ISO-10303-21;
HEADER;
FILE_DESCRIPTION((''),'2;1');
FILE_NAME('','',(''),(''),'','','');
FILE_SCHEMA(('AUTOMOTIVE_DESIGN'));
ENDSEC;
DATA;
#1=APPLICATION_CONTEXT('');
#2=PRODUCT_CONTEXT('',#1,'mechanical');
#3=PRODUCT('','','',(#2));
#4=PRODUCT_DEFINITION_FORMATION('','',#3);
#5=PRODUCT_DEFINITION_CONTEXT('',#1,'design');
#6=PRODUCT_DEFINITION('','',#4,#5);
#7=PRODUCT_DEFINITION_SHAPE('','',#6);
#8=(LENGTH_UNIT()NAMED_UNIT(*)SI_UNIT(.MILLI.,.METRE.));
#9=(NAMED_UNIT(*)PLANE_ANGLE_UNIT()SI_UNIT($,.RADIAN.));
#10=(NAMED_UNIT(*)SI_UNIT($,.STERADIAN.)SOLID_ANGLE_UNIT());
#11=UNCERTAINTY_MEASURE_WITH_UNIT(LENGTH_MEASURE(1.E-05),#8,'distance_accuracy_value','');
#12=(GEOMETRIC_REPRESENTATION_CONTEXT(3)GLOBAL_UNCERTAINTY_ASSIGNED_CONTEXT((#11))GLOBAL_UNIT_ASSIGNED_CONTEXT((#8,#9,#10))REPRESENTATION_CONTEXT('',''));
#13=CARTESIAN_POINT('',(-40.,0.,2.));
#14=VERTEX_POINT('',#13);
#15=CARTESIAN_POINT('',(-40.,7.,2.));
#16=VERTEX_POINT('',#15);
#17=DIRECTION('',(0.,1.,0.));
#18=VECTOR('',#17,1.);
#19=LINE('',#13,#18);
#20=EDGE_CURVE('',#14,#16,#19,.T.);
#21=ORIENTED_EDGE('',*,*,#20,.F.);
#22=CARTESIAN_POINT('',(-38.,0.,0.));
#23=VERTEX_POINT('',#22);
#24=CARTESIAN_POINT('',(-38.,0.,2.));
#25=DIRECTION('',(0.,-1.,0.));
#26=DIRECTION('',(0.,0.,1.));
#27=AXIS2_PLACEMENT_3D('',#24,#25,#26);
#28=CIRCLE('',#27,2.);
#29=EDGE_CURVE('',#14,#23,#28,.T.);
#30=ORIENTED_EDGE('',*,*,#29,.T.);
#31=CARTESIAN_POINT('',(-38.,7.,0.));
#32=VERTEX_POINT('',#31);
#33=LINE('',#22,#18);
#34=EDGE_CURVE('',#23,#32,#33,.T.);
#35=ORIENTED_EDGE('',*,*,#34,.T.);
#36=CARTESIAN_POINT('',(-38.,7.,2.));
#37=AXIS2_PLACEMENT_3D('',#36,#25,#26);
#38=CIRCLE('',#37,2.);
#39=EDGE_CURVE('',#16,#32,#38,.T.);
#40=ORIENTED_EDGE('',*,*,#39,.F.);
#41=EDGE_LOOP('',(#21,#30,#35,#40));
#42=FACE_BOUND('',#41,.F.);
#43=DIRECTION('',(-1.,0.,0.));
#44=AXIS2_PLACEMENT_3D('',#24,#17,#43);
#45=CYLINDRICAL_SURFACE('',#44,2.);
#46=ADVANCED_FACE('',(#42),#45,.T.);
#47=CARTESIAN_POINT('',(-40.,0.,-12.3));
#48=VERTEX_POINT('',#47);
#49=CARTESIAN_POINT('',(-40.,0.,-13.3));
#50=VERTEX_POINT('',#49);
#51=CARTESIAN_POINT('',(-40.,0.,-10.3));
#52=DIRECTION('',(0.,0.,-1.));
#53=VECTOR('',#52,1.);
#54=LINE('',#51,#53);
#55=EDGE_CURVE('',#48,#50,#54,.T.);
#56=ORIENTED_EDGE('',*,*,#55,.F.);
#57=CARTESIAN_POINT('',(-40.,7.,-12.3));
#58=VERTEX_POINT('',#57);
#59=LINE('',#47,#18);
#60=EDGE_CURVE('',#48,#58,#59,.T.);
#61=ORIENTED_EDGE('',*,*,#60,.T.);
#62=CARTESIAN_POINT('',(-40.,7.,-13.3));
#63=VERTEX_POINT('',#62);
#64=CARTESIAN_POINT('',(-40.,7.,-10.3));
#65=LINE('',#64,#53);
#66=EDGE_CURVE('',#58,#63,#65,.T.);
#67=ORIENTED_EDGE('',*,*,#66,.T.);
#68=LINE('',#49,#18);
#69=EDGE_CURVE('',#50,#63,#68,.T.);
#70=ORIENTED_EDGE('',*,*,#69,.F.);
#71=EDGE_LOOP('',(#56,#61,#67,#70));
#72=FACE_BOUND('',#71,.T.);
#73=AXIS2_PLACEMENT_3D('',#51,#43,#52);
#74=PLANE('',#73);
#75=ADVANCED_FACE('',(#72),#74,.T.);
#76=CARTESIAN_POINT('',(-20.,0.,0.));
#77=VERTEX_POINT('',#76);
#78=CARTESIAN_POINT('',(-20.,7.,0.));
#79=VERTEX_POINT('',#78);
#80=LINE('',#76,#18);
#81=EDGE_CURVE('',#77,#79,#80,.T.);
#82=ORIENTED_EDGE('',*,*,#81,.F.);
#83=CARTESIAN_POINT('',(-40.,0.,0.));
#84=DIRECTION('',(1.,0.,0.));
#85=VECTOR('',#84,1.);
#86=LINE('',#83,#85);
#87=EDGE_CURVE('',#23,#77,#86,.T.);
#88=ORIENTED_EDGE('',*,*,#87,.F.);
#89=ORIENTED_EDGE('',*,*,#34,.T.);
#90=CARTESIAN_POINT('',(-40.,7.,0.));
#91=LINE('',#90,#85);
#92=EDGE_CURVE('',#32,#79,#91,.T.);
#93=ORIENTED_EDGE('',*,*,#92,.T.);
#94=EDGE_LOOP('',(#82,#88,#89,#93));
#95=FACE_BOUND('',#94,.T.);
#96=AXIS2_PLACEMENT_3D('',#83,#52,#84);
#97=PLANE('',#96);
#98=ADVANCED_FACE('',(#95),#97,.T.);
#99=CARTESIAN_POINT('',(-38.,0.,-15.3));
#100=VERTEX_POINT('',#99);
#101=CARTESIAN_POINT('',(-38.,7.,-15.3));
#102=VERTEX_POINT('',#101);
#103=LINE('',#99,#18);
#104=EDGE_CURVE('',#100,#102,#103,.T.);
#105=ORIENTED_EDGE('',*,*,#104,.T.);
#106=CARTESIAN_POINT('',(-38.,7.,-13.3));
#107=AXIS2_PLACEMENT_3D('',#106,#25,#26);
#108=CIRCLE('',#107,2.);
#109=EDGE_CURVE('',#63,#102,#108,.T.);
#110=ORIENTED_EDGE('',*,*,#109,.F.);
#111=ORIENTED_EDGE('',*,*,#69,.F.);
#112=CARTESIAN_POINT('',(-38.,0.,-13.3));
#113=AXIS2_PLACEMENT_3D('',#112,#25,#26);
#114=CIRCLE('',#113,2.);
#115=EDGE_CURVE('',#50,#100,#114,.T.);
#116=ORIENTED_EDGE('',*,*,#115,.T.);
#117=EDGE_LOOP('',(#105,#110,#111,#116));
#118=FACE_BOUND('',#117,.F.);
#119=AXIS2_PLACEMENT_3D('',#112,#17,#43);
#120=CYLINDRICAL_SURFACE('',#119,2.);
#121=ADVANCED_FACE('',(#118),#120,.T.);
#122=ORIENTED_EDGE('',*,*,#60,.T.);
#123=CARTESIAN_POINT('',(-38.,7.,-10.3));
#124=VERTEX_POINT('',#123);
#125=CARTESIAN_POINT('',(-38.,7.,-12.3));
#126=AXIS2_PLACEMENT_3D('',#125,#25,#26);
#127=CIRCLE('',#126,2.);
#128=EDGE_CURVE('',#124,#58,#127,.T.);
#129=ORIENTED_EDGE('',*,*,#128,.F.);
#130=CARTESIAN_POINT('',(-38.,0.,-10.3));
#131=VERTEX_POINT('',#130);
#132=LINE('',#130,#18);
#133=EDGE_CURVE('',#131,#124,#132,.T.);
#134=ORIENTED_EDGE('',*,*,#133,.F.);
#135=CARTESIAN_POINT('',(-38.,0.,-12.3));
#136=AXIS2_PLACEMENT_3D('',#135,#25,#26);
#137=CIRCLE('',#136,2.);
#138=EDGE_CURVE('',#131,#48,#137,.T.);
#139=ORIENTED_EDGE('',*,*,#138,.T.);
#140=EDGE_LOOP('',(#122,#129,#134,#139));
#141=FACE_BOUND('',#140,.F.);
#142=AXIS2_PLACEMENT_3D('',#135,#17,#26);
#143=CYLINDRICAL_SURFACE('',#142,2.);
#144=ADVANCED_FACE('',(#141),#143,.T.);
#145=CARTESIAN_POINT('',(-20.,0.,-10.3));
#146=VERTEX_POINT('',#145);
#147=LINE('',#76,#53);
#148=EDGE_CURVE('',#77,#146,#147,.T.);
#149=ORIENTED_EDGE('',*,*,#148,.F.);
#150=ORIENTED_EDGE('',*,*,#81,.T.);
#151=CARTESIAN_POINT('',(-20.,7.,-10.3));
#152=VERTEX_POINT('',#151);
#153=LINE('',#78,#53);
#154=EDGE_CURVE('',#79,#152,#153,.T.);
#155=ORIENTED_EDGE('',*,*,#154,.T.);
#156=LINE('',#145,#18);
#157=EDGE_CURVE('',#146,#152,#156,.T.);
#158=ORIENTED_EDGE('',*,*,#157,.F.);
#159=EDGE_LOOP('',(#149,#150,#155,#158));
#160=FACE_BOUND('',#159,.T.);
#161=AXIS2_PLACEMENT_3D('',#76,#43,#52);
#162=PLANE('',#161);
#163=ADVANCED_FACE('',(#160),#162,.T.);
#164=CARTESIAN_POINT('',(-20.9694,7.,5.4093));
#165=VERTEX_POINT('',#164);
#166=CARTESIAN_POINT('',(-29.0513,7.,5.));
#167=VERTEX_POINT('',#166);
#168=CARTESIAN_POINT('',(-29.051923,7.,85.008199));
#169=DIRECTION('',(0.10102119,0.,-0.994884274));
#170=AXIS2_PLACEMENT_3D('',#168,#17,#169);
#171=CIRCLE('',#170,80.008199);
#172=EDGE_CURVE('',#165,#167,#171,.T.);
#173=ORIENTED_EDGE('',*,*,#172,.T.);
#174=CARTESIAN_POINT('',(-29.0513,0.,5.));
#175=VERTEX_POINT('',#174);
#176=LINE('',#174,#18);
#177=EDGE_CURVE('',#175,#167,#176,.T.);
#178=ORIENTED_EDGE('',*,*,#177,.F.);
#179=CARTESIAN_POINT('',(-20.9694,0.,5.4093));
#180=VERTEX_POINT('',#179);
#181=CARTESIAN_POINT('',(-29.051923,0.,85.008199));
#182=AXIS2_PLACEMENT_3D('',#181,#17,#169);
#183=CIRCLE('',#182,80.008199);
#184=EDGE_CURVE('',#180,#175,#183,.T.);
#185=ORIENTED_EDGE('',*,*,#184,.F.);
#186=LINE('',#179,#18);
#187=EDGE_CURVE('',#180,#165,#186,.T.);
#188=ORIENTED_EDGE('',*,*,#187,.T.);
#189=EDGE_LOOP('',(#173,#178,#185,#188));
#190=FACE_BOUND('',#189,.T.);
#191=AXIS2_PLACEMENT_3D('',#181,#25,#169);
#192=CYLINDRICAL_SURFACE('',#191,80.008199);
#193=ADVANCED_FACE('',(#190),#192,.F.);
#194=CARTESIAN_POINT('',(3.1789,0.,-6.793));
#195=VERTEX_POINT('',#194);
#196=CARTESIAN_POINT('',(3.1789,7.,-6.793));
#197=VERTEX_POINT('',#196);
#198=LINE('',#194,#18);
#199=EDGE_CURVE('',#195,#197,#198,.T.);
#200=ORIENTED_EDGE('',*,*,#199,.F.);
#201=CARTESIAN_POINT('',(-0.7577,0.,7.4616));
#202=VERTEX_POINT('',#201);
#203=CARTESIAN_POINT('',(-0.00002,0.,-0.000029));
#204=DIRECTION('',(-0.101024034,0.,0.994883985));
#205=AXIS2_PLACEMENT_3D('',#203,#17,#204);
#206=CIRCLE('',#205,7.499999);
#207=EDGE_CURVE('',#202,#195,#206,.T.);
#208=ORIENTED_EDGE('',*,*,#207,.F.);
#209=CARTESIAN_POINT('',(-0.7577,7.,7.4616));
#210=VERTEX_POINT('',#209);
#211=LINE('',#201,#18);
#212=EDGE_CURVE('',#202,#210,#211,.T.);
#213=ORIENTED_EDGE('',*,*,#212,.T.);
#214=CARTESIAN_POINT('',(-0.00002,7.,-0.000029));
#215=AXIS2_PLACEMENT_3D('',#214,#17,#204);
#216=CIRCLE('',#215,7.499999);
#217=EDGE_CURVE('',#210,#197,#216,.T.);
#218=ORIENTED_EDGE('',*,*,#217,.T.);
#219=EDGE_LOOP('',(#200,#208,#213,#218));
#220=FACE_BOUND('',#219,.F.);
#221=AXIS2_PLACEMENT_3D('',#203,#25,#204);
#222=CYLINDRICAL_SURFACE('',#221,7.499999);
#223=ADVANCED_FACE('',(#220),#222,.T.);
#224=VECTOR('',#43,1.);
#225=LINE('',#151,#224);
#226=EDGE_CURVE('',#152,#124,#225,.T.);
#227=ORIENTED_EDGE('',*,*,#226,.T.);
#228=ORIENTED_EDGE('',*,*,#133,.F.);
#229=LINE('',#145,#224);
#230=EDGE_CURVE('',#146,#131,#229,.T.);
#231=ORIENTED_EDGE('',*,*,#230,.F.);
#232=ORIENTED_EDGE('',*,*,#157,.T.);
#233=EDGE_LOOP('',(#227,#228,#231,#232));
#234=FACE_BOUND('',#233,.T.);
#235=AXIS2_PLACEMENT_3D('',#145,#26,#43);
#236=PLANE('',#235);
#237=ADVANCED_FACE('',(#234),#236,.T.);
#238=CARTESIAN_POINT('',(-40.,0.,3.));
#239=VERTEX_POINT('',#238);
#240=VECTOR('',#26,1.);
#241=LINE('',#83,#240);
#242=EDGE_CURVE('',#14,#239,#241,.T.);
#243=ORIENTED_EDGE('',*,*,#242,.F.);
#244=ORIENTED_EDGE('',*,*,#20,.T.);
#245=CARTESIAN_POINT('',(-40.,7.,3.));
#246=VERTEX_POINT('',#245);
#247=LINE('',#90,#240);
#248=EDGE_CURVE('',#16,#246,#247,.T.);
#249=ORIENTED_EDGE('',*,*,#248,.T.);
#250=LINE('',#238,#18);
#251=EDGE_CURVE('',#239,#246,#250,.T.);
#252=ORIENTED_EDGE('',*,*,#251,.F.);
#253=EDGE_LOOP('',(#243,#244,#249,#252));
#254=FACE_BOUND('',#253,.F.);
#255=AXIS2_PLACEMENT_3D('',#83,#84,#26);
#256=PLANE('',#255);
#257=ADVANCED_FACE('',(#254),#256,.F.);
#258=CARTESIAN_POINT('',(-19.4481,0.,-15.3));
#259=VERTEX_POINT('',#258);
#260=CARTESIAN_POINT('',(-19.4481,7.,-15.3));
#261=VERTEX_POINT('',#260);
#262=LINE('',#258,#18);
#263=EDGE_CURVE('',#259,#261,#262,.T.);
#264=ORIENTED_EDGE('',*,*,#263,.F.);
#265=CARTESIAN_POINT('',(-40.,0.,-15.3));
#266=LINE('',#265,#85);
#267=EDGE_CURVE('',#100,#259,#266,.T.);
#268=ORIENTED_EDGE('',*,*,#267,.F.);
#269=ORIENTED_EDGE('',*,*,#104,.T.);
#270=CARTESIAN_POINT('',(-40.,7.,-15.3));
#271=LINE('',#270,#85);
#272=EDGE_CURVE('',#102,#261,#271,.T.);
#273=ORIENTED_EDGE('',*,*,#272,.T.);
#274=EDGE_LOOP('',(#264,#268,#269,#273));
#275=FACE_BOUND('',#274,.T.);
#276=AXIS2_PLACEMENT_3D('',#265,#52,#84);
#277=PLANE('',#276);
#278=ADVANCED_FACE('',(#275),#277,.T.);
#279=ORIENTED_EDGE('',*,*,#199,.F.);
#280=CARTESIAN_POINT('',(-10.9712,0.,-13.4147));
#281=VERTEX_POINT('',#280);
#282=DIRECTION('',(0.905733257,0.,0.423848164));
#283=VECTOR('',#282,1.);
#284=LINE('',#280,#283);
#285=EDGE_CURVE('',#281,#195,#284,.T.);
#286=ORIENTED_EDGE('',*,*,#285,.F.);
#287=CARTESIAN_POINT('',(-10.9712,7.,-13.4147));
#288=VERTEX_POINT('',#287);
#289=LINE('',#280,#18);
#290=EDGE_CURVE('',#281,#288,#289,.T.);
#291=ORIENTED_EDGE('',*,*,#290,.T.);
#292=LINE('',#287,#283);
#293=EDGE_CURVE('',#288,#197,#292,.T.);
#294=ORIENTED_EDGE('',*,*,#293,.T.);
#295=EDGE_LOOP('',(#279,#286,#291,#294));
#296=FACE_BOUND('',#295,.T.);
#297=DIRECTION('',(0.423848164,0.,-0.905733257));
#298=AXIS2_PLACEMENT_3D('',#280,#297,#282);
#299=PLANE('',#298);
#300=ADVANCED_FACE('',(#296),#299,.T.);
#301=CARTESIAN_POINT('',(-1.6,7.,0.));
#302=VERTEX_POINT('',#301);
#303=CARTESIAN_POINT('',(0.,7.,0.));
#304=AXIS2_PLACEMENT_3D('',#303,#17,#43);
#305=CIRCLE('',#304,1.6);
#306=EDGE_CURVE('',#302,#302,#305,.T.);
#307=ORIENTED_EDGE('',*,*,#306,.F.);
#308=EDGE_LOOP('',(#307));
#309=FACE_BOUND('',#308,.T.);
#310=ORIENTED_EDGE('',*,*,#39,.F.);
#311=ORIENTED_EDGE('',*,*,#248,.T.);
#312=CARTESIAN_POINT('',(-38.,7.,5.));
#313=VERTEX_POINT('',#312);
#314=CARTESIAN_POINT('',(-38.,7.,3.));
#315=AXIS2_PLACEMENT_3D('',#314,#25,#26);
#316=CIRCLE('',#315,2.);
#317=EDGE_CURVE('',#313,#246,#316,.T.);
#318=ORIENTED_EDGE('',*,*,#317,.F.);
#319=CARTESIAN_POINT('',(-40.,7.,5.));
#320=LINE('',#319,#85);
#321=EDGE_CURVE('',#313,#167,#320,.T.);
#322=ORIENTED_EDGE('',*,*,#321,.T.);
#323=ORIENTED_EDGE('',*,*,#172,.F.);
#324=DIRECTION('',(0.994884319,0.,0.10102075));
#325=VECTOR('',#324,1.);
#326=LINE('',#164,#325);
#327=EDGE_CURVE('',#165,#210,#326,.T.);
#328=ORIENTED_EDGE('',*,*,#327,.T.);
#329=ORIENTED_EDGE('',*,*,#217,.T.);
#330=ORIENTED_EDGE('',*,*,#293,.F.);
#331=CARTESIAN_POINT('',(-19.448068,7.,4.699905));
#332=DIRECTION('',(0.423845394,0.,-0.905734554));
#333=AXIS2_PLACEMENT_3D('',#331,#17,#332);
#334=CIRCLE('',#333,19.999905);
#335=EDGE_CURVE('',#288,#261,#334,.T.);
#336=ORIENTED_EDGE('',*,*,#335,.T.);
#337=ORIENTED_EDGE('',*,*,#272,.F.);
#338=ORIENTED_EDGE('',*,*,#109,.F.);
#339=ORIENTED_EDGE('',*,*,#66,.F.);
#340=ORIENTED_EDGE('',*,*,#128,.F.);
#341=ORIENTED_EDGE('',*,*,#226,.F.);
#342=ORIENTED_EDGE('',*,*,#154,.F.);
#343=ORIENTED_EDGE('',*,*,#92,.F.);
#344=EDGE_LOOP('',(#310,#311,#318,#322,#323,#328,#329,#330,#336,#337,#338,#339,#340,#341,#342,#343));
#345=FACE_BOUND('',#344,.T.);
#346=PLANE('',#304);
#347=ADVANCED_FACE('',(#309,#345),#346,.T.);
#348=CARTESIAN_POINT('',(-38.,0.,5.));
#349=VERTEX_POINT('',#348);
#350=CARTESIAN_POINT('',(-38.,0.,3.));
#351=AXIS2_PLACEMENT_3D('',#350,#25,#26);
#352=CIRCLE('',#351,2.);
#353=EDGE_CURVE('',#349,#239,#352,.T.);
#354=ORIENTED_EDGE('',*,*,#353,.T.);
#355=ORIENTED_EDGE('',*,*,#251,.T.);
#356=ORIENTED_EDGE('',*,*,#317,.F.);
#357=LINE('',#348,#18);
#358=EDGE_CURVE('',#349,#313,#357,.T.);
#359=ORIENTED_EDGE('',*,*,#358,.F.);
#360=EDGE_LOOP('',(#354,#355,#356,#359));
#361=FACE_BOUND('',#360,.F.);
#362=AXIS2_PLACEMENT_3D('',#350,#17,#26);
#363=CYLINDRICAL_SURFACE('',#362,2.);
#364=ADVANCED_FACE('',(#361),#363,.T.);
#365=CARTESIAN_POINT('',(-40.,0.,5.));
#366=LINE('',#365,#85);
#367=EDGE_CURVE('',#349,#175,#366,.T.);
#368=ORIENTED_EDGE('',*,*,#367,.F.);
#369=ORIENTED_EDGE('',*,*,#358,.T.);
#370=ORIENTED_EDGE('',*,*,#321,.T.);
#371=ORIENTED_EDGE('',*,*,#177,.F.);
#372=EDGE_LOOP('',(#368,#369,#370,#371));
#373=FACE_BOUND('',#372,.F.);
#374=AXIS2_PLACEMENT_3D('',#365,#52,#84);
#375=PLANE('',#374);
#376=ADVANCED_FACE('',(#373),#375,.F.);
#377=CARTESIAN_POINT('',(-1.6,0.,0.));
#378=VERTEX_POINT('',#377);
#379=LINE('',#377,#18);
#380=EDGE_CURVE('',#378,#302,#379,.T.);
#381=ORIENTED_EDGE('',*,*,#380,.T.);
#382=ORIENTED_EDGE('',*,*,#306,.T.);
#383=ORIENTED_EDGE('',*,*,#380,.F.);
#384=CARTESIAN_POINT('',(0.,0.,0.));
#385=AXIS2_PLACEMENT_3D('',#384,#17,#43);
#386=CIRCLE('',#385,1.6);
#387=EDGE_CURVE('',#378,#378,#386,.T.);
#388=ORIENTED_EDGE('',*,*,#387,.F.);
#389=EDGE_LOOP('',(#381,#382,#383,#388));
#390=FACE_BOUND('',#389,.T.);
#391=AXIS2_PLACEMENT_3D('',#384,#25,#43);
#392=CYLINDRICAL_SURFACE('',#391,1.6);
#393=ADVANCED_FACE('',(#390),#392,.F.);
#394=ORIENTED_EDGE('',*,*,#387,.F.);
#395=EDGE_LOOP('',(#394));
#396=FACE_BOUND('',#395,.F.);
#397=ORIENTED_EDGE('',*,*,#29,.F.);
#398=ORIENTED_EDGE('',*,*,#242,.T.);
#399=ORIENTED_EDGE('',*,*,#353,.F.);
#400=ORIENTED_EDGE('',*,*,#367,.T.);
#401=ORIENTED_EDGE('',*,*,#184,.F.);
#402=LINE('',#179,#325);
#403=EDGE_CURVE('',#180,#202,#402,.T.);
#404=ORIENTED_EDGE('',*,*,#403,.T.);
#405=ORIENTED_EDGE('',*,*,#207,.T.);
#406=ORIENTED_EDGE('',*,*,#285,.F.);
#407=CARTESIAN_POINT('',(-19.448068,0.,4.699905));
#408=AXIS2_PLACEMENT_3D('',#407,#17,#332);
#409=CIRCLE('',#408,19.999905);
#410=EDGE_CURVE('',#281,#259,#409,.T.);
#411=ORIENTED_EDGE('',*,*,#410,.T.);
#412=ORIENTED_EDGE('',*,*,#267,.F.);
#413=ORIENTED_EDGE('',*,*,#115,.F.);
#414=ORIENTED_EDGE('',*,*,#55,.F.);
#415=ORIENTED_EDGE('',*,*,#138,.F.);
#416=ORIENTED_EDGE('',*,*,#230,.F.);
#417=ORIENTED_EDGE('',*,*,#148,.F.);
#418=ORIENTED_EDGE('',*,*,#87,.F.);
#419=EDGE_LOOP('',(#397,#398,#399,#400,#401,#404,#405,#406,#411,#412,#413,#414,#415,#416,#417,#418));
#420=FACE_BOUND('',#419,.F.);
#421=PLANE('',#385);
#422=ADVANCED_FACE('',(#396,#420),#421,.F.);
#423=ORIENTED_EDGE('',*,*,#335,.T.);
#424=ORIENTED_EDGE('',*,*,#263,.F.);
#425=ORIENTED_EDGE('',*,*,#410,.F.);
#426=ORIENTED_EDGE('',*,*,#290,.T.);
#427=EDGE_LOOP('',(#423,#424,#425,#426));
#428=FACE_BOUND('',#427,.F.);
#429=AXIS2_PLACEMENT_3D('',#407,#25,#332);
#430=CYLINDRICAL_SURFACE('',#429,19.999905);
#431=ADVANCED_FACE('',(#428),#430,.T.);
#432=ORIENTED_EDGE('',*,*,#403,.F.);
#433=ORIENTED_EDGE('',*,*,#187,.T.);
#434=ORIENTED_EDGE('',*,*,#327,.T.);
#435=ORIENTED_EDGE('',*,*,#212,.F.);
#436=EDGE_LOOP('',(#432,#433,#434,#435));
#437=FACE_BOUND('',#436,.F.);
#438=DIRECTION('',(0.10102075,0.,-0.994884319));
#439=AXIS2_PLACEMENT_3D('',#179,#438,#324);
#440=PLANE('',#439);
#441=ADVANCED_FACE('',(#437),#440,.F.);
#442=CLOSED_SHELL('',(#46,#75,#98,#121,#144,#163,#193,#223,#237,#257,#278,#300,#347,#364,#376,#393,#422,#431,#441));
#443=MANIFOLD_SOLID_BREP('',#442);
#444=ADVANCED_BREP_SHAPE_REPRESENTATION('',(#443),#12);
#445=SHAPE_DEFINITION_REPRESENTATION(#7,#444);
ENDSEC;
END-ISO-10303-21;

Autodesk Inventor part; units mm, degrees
ref_plane "YZ Plane" through (0, 0, 0) normal (1, 0, 0) x (0, 1, 0)
ref_plane "XZ Plane" through (0, 0, 0) normal (0, 1, 0) x (-1, 0, 0)
ref_plane "XY Plane" through (0, 0, 0) normal (0, 0, 1) x (1, 0, 0)
sketch "Sketch10" plane through (0, 0, 0) normal (0, 1, 0) x (-1, 0, 0)
  circle A0 centre (0, 0) radius 1.6
  arc A1 (0.7577, 7.4616) -> (-3.1789, -6.793) centre (0, 0) ccw
  line L0 (0, 0) -> (0, -7.5) construction
  line L1 (0, 0) -> (7.5, 0) construction
  line L2 (0, 0) -> (63.5588, 0) construction
  line L3 (40, 0) -> (20, 0)
  line L4 (20, 0) -> (20, -10.3)
  line L5 (20, -10.3) -> (40, -10.3)
  line L6 (40, -10.3) -> (40, -15.3)
  line L7 (40, -15.3) -> (19.4481, -15.3)
  line L8 (10.9712, -13.4147) -> (-3.1789, -6.793)
  line L9 (40, 0) -> (40, 5)
  line L10 (40, 5) -> (29.0513, 5)
  line L11 (20.9694, 5.4093) -> (0.7577, 7.4616)
  arc A2 (20.9694, 5.4093) -> (29.0513, 5) centre (29.0513, 85) ccw
  arc A3 (10.9712, -13.4147) -> (19.4481, -15.3) centre (19.4481, 4.7) ccw
  point P0 (15, -15.3)
  point P1 (25, 5)
  dimension "d117" = 3.2
  dimension "d118" = 15
  dimension "d120" = 10.3
  dimension "d121" = 20
  dimension "d122" = 0
  dimension "d123" = 20
  dimension "d124" = 5
  dimension "d125" = 5
  dimension "d126" = 25
  dimension "d127" = 15
  dimension "d128" = 80
  dimension "d129" = 20
  dimension "d133" = 0
extrude "Extrusion7" add sketch "Sketch10" along normal blind 7
fillet "Fillet5" radius 2 4 edges at (-40, 3.5, 5) (-40, 3.5, 0) (-40, 3.5, -10.3) (-40, 3.5, -15.3)
properties part number "Soportes filamento"
